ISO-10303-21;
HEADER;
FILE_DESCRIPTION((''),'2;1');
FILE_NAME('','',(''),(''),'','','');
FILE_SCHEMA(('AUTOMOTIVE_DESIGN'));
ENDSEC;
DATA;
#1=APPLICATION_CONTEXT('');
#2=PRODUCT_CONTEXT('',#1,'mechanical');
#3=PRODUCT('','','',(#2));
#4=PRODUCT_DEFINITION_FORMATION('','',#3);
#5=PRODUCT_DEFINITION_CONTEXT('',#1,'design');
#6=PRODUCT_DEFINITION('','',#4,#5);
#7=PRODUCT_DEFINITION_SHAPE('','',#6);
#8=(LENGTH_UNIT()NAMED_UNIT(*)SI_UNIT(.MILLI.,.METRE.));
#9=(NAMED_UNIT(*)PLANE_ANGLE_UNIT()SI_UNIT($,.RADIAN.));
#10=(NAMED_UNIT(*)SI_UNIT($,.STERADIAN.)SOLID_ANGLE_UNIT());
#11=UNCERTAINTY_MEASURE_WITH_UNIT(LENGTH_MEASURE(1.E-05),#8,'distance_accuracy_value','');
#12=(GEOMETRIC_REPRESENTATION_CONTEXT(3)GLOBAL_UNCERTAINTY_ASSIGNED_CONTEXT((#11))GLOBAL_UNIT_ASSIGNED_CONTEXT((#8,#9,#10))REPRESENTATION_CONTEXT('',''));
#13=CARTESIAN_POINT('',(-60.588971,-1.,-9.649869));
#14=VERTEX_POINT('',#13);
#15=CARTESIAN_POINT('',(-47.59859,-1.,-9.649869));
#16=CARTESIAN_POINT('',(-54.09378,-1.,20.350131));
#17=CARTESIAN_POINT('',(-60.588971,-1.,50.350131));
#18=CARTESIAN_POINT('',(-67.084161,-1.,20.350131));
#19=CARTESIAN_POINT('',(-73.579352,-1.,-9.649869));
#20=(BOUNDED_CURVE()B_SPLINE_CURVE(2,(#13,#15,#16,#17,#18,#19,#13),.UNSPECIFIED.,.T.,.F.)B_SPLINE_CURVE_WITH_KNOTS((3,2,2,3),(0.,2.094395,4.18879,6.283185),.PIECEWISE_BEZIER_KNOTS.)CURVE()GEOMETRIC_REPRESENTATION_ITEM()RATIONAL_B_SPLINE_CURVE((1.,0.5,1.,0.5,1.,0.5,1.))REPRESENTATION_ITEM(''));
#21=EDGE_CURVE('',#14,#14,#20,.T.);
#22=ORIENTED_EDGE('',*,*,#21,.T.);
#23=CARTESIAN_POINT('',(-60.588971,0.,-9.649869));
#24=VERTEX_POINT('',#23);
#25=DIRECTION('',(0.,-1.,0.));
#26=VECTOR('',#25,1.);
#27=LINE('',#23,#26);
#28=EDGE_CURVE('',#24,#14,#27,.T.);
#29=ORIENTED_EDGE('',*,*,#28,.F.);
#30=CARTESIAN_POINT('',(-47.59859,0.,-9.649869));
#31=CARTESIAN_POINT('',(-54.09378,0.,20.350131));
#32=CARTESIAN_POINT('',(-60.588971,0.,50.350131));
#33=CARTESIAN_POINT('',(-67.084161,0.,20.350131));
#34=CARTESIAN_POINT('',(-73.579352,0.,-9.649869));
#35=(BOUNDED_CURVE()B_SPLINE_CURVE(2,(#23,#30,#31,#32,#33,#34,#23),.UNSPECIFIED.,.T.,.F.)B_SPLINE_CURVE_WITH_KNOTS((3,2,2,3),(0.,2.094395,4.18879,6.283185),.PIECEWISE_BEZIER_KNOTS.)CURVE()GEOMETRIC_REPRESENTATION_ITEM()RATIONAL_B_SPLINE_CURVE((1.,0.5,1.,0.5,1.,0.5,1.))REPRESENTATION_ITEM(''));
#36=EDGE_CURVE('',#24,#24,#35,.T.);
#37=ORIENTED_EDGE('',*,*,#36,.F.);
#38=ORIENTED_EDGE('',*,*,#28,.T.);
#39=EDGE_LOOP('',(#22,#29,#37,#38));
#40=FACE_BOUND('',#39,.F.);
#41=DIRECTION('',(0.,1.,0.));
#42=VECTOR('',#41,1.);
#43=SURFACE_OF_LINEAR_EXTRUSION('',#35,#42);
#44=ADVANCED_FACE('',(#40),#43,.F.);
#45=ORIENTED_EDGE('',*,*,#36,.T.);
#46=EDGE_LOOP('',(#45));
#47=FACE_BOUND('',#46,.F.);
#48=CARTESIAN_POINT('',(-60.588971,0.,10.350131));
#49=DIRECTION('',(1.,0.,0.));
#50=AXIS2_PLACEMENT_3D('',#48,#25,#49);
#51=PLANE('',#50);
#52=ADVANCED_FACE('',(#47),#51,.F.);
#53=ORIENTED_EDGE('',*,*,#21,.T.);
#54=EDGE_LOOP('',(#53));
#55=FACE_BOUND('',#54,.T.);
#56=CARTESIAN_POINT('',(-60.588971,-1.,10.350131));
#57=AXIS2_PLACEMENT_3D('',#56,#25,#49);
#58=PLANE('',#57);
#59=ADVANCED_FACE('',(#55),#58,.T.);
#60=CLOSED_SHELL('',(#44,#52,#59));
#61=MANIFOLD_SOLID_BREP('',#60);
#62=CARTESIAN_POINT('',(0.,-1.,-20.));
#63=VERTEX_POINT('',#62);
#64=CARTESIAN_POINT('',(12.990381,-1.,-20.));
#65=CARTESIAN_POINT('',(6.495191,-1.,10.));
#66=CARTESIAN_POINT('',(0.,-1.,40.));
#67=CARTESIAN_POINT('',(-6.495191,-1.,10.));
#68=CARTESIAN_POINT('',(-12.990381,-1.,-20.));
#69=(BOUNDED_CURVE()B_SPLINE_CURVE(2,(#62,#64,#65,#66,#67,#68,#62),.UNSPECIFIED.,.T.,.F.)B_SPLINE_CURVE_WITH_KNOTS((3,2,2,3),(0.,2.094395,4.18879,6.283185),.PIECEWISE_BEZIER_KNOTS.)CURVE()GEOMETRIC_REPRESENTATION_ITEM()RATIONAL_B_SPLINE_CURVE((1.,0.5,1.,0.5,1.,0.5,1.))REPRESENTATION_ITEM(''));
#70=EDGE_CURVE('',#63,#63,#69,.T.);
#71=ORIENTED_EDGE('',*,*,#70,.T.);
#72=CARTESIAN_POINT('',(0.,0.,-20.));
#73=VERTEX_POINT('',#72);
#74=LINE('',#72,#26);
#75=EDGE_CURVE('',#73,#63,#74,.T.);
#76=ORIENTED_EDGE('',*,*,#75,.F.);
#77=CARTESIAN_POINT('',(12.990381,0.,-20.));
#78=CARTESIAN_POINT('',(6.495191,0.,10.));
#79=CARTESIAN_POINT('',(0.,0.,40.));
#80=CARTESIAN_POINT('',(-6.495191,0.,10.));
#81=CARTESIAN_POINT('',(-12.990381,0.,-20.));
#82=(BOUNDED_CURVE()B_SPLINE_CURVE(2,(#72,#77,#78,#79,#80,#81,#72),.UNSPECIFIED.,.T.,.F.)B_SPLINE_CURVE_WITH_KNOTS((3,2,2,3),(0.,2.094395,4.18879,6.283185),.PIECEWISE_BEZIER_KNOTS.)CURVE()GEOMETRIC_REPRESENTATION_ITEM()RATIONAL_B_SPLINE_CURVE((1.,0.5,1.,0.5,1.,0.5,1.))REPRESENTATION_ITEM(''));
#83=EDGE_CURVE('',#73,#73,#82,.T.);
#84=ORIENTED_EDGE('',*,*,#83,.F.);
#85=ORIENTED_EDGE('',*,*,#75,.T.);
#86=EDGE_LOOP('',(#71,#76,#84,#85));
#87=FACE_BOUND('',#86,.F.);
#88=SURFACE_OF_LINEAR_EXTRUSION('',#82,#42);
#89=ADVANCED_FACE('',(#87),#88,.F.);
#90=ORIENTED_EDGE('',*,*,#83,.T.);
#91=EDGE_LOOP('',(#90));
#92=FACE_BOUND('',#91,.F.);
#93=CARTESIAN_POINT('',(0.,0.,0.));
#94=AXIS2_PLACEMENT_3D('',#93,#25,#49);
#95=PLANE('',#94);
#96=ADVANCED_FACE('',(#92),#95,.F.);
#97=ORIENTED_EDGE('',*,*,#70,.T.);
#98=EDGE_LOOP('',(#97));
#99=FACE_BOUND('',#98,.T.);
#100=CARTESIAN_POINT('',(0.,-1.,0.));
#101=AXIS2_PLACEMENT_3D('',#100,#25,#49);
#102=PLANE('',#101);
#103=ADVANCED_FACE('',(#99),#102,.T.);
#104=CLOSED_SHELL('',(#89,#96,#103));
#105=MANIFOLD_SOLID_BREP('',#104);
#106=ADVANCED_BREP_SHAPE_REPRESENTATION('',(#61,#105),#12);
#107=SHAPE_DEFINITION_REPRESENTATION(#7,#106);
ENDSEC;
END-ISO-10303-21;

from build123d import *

# Parameters (mm, degrees)
F1_DEPTH = 1
F3_DEPTH = 1


with BuildPart() as f1:
    # F0 (on Front) → F1 (new body)
    with BuildSketch(Plane.XZ):
        with BuildLine():
            add(Edge.make_bspline(
                [(0, -20), (12.990381, -20), (6.495191, 10), (0, 40), (-6.495191, 10), (-12.990381, -20), (0, -20)],
                knots=[0, 0, 0, 2.094395, 2.094395, 4.18879, 4.18879, 6.283185, 6.283185, 6.283185], degree=2, weights=[1, 0.5, 1, 0.5, 1, 0.5, 1]))
        make_face()
    extrude(amount=F1_DEPTH)


with BuildPart() as f3:
    # F2 (on Front) → F3 (new body)
    with BuildSketch(Plane.XZ):
        with BuildLine():
            add(Edge.make_bspline(
                [(-60.588971, -9.649869), (-47.59859, -9.649869), (-54.09378, 20.350131), (-60.588971, 50.350131), (-67.084161, 20.350131), (-73.579352, -9.649869), (-60.588971, -9.649869)],
                knots=[0, 0, 0, 2.094395, 2.094395, 4.18879, 4.18879, 6.283185, 6.283185, 6.283185], degree=2, weights=[1, 0.5, 1, 0.5, 1, 0.5, 1]))
        make_face()
    extrude(amount=F3_DEPTH)


solid = Compound([f1.part, f3.part])
